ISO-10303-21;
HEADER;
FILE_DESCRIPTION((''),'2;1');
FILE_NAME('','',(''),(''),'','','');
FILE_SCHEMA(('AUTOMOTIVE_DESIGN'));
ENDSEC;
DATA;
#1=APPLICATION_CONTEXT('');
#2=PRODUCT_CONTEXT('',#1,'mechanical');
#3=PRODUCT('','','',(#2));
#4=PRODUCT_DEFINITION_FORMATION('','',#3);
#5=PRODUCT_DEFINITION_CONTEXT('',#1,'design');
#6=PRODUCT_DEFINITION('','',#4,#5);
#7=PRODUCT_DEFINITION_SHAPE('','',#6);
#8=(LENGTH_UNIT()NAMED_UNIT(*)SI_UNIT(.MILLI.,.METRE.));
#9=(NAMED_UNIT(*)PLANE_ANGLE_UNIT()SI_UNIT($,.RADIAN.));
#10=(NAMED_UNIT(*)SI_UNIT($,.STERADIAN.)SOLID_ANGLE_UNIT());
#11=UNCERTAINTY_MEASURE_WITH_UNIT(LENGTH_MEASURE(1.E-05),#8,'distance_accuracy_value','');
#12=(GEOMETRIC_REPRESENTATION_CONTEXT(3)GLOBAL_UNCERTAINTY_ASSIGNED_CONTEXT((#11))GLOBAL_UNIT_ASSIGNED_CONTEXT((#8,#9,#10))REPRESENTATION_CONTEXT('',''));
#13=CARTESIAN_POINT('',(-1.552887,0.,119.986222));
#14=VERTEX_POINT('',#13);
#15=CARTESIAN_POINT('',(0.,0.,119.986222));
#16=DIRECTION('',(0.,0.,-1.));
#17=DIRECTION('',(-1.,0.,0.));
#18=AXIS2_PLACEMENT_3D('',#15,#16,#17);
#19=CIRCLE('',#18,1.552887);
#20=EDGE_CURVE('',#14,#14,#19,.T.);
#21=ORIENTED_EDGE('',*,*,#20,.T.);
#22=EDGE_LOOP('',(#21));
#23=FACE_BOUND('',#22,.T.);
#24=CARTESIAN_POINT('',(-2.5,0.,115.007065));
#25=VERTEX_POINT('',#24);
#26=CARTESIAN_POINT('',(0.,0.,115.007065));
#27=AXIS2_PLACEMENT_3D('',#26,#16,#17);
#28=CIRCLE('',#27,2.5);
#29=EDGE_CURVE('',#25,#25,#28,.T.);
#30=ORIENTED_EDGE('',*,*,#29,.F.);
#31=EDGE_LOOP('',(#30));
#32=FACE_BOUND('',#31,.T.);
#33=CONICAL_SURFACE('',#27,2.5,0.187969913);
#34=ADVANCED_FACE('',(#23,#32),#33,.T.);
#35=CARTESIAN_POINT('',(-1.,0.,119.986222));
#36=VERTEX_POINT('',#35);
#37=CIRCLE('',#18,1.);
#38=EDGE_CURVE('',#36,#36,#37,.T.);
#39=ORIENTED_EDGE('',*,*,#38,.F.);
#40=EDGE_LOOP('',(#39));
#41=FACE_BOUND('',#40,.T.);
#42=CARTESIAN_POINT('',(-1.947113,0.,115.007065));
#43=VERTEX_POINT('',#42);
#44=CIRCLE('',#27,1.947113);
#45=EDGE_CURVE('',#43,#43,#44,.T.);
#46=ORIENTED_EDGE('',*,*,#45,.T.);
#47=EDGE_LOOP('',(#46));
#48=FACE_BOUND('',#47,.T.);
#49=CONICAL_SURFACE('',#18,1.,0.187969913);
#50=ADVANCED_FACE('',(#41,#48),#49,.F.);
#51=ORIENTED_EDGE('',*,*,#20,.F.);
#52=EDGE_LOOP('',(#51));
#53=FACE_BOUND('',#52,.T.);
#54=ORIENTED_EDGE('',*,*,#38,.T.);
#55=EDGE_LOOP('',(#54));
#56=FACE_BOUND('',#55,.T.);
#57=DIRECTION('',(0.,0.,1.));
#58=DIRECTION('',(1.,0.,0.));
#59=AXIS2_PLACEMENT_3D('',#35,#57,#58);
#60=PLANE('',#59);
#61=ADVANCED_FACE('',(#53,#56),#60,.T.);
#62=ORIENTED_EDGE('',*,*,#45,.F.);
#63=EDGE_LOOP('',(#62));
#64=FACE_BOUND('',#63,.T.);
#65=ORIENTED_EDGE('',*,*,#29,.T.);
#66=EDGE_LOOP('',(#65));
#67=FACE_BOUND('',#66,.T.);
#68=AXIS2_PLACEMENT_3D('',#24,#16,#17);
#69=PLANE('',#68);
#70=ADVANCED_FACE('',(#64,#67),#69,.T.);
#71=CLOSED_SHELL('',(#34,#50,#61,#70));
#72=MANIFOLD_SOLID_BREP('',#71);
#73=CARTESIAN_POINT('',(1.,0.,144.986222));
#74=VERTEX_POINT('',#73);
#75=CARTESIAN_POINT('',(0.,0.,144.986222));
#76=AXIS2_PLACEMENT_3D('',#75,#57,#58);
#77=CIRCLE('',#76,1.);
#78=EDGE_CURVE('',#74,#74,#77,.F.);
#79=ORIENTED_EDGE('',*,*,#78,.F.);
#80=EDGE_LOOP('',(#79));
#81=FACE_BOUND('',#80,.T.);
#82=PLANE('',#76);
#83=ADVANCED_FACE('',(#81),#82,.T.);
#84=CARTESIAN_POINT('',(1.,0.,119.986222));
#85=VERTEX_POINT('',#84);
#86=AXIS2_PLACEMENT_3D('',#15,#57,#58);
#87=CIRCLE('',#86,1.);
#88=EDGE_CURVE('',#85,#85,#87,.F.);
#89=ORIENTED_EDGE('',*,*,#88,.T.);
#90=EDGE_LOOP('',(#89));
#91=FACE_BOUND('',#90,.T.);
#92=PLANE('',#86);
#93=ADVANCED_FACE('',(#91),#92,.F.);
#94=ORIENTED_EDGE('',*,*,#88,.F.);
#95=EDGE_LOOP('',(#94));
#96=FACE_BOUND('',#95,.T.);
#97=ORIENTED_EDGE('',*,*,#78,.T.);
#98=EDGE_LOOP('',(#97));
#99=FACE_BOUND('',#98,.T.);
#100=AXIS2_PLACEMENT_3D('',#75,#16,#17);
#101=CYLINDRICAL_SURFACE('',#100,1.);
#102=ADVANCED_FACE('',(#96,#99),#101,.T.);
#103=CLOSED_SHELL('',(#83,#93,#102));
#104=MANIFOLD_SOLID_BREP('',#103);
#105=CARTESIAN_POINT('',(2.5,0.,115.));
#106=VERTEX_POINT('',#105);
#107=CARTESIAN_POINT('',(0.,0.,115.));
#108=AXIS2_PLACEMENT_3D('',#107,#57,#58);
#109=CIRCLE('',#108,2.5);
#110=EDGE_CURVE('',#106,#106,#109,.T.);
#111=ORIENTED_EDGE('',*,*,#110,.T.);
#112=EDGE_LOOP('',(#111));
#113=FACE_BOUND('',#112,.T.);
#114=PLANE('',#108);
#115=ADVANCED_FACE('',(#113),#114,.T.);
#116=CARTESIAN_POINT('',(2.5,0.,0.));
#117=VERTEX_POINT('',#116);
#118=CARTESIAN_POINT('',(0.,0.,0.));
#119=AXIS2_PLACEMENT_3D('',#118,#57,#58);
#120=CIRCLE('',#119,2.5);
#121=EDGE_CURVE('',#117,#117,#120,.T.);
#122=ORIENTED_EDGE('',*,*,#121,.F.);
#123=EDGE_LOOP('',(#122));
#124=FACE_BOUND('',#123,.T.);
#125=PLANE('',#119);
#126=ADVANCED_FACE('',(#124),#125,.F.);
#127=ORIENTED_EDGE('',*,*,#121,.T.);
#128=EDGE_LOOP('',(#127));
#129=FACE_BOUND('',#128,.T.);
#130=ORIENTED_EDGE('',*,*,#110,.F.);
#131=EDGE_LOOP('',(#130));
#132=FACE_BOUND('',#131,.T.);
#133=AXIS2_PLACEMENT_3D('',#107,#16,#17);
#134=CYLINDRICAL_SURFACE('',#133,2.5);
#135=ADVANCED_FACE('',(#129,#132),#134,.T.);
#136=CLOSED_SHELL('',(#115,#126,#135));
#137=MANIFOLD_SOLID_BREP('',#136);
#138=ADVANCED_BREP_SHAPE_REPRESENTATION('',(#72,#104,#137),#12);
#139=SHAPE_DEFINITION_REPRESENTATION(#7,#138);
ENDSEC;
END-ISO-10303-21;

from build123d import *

# Parameters (mm, degrees)
SKETCH1_R           = 2.5
BOSS_EXTRUDE1_DEPTH = 115
SKETCH4_R           = 1
BOSS_EXTRUDE2_DEPTH = 25


with BuildPart() as part:
    # Sketch1 → Boss-Extrude1 (new body)
    with BuildSketch(Plane.XY):
        Circle(SKETCH1_R)
    extrude(amount=BOSS_EXTRUDE1_DEPTH)


with BuildPart() as body_2:
    # Sketch2 → Revolve1 (revolve)
    with BuildSketch(Plane(origin=(0, 0, 0), x_dir=(1, 0, 0), z_dir=(0, 1, 0))):
        Polygon((-1.947112733, -115.007064782), (-1, -119.98622168), (-1.552887267, -119.98622168), (-2.5, -115.007064782), align=None)
    revolve(axis=Axis((0, 0, 0), (0, 0, 1)))


with BuildPart() as body_3:
    # Sketch4 → Boss-Extrude2 (new body)
    with BuildSketch(Plane.XY.offset(119.98622168)):
        Circle(SKETCH4_R)
    extrude(amount=BOSS_EXTRUDE2_DEPTH)


solid = Compound([part.part, body_2.part, body_3.part])
